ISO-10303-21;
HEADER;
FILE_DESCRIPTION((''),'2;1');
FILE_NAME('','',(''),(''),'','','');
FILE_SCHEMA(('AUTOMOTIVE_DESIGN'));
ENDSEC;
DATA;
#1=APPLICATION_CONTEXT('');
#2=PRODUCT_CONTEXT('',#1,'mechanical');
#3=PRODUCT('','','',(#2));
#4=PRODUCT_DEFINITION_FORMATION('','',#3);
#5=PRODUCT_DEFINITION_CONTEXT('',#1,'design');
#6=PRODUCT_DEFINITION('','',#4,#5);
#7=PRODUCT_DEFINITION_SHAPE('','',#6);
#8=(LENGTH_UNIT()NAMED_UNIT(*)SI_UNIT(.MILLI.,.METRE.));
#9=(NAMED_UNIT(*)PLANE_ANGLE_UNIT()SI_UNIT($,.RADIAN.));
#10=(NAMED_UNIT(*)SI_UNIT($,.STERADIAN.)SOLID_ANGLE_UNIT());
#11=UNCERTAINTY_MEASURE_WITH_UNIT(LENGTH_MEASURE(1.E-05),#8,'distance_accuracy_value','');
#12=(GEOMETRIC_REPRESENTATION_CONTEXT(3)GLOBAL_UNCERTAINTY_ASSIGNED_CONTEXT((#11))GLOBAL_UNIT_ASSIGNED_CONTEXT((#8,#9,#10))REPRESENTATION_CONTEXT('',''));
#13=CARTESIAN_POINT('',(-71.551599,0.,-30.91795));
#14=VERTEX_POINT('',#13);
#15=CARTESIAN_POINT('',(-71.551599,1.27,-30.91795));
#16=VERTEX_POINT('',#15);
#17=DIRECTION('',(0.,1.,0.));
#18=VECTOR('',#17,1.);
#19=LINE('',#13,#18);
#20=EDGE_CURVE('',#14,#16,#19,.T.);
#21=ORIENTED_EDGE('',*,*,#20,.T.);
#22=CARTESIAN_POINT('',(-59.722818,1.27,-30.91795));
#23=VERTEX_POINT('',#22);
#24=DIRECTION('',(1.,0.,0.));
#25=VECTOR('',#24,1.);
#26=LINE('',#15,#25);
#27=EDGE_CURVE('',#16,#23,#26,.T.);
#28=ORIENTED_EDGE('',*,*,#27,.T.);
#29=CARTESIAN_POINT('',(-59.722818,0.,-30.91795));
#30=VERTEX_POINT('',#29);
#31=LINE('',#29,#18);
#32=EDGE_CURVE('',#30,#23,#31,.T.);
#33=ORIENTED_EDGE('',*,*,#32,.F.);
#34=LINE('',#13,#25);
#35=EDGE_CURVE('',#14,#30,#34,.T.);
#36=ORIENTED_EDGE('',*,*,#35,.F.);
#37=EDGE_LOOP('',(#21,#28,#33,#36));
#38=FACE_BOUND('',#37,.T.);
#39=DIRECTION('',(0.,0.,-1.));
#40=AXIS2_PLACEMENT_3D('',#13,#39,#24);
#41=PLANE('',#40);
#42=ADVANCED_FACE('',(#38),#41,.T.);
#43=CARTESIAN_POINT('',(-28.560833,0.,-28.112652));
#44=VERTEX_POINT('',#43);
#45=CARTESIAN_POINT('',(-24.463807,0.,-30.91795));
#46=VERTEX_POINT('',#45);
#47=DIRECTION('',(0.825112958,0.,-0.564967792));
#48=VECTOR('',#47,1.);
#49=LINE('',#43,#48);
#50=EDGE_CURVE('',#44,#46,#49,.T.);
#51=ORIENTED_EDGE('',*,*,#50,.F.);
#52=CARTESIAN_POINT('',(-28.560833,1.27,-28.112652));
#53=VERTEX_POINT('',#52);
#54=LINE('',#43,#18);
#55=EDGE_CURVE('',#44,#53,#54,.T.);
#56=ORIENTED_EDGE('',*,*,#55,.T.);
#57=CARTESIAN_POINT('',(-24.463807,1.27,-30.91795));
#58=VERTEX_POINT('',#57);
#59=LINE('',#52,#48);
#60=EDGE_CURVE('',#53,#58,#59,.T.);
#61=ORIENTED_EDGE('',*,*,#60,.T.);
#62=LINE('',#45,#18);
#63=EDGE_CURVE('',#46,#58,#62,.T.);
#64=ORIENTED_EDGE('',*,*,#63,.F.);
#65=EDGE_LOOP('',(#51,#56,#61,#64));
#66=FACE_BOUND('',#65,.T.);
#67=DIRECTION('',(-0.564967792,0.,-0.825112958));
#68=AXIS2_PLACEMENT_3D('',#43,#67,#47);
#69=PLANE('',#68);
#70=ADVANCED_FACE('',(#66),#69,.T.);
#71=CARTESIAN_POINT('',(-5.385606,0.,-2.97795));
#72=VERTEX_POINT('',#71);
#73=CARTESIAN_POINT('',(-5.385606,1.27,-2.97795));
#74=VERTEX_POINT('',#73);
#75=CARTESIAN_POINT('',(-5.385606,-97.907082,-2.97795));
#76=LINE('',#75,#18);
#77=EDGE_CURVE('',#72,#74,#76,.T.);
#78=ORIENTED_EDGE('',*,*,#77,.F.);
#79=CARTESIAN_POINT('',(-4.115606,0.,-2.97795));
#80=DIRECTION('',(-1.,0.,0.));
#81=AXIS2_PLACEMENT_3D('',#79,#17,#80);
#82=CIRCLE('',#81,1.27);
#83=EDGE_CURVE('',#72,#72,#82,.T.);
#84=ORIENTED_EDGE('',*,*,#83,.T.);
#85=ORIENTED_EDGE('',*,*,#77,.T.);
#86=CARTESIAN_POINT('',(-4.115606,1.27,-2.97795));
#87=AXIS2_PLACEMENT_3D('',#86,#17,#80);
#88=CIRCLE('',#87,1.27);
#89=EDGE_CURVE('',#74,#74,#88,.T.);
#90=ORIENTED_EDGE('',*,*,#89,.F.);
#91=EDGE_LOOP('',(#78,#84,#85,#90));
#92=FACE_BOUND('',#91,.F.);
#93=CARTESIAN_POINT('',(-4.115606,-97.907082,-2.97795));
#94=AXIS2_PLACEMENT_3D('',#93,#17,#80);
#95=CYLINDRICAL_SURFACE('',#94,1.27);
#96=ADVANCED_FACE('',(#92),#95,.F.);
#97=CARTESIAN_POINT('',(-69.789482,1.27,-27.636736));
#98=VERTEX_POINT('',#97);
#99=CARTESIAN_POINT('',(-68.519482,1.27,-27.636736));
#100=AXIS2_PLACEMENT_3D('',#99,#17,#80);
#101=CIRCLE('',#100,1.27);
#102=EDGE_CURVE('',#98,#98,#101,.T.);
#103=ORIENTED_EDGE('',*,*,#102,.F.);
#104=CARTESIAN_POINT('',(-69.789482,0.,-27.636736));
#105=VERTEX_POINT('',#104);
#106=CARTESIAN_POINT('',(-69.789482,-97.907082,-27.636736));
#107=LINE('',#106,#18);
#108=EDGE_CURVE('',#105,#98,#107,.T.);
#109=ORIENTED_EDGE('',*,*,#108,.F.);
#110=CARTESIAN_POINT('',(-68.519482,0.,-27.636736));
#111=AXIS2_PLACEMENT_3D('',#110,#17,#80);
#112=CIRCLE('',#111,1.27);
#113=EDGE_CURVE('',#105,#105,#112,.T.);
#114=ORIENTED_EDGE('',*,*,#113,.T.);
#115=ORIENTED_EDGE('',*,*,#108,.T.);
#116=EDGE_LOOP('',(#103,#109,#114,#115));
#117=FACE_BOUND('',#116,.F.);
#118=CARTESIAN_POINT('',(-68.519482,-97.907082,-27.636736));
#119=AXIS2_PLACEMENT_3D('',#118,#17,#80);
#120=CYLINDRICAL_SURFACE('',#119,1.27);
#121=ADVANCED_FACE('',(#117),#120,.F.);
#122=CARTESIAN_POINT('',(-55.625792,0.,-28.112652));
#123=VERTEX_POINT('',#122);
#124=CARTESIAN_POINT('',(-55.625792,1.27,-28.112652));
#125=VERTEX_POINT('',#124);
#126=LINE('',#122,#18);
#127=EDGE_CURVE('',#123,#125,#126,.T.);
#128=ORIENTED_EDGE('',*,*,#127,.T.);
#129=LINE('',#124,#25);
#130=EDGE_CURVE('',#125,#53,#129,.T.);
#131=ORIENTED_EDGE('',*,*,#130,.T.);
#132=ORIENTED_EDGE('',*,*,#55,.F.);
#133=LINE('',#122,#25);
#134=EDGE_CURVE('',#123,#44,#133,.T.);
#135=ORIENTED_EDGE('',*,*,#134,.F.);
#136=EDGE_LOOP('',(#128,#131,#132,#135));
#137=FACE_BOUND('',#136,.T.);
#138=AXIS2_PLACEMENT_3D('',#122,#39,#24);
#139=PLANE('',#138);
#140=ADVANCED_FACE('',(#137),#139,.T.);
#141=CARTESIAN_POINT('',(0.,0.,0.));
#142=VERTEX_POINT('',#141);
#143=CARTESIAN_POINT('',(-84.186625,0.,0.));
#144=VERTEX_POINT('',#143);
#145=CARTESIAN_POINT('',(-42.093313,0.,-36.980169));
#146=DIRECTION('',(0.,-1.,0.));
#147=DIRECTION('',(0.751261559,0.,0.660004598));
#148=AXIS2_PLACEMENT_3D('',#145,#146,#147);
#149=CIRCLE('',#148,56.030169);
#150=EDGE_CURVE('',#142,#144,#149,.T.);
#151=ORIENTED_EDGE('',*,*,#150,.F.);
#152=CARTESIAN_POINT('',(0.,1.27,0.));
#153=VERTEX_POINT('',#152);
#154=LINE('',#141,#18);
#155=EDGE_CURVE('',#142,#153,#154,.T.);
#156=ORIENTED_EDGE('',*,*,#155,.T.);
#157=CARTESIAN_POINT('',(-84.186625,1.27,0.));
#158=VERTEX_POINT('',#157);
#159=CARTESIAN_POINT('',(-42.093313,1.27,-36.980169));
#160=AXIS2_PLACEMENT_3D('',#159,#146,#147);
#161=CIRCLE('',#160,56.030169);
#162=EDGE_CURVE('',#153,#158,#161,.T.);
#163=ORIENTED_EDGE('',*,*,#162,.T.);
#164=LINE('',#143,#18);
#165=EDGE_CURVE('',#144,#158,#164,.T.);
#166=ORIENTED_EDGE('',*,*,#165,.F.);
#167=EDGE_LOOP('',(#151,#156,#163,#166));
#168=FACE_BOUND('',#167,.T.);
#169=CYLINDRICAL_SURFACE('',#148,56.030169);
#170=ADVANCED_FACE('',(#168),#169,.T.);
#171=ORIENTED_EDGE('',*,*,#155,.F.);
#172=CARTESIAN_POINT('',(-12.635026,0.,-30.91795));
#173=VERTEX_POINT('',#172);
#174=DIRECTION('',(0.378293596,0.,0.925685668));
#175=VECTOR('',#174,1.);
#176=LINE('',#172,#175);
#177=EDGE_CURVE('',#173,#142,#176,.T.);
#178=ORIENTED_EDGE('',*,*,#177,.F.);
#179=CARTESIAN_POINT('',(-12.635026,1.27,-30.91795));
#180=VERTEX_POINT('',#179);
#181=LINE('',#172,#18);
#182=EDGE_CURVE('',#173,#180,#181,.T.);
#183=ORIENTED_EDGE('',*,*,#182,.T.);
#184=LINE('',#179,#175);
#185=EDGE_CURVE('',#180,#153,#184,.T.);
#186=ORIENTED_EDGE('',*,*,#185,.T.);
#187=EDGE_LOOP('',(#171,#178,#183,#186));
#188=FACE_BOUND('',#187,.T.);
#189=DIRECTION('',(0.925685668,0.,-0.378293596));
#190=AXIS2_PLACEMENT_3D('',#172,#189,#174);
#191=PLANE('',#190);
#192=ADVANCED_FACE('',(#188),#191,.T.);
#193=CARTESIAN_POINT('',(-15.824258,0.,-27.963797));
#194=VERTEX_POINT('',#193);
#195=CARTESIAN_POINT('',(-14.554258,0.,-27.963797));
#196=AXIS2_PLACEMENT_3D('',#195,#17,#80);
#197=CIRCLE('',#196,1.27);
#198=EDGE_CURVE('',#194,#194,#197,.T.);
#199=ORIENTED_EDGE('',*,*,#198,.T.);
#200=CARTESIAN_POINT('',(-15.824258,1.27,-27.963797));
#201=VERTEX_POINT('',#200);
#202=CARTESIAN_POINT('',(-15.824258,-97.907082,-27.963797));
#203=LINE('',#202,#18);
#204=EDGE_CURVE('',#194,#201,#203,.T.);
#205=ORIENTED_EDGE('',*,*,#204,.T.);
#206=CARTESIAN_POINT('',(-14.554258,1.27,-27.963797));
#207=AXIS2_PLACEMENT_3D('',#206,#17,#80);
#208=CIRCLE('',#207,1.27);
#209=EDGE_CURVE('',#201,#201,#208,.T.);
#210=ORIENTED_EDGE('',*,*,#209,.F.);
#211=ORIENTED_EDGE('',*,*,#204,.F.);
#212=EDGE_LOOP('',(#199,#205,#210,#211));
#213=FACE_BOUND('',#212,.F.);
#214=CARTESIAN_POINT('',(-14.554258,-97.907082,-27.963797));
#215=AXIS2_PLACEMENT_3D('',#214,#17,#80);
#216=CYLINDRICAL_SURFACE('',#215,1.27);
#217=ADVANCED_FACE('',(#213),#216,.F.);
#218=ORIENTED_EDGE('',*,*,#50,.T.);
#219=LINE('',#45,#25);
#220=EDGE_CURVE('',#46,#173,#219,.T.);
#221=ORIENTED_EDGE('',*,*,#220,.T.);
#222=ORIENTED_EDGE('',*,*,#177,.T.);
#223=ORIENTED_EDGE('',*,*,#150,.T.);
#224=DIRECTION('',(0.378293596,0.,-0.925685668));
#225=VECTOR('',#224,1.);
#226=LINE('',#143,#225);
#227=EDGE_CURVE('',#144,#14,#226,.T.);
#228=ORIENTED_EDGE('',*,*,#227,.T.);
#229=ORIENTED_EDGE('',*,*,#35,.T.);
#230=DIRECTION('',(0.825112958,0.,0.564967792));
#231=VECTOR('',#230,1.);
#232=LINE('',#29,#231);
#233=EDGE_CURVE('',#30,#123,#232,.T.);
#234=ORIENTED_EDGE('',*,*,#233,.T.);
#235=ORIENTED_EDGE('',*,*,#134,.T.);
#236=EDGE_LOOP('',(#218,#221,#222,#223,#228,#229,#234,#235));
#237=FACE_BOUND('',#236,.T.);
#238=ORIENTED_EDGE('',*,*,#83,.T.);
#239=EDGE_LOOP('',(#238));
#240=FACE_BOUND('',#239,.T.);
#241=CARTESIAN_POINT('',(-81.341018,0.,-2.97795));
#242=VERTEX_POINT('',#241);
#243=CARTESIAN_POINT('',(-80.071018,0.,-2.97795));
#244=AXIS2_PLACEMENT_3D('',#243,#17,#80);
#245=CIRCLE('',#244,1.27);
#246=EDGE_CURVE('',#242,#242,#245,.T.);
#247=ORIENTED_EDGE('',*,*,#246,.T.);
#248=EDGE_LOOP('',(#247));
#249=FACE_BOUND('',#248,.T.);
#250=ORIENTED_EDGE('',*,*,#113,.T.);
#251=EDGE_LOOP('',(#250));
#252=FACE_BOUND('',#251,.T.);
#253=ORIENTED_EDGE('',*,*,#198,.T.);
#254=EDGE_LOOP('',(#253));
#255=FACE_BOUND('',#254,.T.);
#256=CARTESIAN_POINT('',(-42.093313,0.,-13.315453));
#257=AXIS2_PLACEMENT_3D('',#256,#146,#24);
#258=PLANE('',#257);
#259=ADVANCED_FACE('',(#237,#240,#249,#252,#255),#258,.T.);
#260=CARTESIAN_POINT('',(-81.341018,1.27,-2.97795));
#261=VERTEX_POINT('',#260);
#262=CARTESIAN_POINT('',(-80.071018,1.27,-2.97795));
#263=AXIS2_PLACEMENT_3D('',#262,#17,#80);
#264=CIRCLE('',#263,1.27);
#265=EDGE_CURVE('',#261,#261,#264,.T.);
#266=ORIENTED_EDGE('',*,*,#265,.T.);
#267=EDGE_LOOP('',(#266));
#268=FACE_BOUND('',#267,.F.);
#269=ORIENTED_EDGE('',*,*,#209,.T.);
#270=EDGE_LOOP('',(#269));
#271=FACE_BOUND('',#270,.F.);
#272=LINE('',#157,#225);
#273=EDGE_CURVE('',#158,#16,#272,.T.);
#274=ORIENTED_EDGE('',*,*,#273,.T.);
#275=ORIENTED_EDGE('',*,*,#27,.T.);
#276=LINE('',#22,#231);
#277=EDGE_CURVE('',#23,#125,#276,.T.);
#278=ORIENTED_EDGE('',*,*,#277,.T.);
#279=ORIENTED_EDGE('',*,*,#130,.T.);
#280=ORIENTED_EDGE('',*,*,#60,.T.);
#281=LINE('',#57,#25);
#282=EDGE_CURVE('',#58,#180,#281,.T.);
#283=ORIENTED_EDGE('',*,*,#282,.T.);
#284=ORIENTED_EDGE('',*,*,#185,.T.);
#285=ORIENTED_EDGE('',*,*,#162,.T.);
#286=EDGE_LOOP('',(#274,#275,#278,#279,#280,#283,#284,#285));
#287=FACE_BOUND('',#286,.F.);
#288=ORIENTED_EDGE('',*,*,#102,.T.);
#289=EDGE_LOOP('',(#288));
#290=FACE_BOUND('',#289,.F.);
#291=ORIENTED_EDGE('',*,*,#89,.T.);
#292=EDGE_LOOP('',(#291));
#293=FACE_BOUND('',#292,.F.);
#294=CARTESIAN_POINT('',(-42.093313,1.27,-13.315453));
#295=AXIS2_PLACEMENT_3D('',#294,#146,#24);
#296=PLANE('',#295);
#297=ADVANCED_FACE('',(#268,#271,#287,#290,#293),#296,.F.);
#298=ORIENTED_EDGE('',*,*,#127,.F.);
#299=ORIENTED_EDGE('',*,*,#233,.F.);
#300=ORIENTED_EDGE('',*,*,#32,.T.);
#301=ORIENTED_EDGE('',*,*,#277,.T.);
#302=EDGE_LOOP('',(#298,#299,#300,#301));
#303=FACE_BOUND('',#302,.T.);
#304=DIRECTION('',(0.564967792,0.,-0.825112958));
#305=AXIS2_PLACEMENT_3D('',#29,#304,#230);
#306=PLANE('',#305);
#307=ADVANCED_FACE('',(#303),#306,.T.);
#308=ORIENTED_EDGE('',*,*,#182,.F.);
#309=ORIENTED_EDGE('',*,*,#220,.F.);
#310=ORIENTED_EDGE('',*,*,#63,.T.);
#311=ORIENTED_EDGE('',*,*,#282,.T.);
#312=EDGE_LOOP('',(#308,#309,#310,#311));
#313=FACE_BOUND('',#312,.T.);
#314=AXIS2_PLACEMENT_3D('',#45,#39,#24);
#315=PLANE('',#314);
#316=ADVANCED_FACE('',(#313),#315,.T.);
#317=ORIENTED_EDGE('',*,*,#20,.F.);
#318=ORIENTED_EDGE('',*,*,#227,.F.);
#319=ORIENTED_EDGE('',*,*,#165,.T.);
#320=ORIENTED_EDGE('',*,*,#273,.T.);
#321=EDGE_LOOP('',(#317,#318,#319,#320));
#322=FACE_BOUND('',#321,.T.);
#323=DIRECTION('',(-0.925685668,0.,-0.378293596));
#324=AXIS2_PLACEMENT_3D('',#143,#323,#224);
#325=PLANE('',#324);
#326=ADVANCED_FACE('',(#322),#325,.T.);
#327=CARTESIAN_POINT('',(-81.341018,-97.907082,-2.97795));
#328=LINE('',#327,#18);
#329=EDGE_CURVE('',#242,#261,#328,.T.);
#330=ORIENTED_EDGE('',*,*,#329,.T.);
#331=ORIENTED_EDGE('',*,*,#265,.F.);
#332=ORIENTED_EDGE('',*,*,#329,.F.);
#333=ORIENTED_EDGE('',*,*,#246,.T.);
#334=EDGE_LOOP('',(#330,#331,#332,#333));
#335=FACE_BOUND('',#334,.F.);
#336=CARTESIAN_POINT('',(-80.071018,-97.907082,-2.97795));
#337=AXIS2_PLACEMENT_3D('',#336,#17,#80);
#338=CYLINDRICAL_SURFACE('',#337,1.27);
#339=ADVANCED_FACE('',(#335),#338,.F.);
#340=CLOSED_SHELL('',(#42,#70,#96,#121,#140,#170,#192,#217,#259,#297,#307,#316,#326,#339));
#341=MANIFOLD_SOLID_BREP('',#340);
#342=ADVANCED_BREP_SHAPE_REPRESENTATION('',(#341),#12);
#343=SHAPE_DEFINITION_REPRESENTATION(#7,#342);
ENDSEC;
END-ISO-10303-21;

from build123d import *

# Parameters (mm, degrees)
F1_DEPTH = 1.27
F2_D     = 2.54


with BuildPart() as f1:
    # F0 (on Front) → F1 (new body)
    with BuildSketch(Plane.XZ):
        Polygon((-12.635026, -30.91795), (0, 0), (-84.186625, 0), (-71.551599, -30.91795), (-59.722818, -30.91795), (-55.625792, -28.112652), (-28.560833, -28.112652), (-24.463807, -30.91795), align=None)
        with BuildLine():
            Line((-84.186625, 0), (0, 0))
            ThreePointArc((0, 0), (-42.093312, 19.05), (-84.186625, 0))
        make_face()
    extrude(amount=-F1_DEPTH)

    # F2 (through all)
    with Locations(Plane.XZ):
        with Locations((-80.071018, -2.97795), (-4.115606, -2.97795), (-14.554258, -27.963797), (-68.519482, -27.636736)):
            Hole(F2_D / 2)


solid = f1.part
